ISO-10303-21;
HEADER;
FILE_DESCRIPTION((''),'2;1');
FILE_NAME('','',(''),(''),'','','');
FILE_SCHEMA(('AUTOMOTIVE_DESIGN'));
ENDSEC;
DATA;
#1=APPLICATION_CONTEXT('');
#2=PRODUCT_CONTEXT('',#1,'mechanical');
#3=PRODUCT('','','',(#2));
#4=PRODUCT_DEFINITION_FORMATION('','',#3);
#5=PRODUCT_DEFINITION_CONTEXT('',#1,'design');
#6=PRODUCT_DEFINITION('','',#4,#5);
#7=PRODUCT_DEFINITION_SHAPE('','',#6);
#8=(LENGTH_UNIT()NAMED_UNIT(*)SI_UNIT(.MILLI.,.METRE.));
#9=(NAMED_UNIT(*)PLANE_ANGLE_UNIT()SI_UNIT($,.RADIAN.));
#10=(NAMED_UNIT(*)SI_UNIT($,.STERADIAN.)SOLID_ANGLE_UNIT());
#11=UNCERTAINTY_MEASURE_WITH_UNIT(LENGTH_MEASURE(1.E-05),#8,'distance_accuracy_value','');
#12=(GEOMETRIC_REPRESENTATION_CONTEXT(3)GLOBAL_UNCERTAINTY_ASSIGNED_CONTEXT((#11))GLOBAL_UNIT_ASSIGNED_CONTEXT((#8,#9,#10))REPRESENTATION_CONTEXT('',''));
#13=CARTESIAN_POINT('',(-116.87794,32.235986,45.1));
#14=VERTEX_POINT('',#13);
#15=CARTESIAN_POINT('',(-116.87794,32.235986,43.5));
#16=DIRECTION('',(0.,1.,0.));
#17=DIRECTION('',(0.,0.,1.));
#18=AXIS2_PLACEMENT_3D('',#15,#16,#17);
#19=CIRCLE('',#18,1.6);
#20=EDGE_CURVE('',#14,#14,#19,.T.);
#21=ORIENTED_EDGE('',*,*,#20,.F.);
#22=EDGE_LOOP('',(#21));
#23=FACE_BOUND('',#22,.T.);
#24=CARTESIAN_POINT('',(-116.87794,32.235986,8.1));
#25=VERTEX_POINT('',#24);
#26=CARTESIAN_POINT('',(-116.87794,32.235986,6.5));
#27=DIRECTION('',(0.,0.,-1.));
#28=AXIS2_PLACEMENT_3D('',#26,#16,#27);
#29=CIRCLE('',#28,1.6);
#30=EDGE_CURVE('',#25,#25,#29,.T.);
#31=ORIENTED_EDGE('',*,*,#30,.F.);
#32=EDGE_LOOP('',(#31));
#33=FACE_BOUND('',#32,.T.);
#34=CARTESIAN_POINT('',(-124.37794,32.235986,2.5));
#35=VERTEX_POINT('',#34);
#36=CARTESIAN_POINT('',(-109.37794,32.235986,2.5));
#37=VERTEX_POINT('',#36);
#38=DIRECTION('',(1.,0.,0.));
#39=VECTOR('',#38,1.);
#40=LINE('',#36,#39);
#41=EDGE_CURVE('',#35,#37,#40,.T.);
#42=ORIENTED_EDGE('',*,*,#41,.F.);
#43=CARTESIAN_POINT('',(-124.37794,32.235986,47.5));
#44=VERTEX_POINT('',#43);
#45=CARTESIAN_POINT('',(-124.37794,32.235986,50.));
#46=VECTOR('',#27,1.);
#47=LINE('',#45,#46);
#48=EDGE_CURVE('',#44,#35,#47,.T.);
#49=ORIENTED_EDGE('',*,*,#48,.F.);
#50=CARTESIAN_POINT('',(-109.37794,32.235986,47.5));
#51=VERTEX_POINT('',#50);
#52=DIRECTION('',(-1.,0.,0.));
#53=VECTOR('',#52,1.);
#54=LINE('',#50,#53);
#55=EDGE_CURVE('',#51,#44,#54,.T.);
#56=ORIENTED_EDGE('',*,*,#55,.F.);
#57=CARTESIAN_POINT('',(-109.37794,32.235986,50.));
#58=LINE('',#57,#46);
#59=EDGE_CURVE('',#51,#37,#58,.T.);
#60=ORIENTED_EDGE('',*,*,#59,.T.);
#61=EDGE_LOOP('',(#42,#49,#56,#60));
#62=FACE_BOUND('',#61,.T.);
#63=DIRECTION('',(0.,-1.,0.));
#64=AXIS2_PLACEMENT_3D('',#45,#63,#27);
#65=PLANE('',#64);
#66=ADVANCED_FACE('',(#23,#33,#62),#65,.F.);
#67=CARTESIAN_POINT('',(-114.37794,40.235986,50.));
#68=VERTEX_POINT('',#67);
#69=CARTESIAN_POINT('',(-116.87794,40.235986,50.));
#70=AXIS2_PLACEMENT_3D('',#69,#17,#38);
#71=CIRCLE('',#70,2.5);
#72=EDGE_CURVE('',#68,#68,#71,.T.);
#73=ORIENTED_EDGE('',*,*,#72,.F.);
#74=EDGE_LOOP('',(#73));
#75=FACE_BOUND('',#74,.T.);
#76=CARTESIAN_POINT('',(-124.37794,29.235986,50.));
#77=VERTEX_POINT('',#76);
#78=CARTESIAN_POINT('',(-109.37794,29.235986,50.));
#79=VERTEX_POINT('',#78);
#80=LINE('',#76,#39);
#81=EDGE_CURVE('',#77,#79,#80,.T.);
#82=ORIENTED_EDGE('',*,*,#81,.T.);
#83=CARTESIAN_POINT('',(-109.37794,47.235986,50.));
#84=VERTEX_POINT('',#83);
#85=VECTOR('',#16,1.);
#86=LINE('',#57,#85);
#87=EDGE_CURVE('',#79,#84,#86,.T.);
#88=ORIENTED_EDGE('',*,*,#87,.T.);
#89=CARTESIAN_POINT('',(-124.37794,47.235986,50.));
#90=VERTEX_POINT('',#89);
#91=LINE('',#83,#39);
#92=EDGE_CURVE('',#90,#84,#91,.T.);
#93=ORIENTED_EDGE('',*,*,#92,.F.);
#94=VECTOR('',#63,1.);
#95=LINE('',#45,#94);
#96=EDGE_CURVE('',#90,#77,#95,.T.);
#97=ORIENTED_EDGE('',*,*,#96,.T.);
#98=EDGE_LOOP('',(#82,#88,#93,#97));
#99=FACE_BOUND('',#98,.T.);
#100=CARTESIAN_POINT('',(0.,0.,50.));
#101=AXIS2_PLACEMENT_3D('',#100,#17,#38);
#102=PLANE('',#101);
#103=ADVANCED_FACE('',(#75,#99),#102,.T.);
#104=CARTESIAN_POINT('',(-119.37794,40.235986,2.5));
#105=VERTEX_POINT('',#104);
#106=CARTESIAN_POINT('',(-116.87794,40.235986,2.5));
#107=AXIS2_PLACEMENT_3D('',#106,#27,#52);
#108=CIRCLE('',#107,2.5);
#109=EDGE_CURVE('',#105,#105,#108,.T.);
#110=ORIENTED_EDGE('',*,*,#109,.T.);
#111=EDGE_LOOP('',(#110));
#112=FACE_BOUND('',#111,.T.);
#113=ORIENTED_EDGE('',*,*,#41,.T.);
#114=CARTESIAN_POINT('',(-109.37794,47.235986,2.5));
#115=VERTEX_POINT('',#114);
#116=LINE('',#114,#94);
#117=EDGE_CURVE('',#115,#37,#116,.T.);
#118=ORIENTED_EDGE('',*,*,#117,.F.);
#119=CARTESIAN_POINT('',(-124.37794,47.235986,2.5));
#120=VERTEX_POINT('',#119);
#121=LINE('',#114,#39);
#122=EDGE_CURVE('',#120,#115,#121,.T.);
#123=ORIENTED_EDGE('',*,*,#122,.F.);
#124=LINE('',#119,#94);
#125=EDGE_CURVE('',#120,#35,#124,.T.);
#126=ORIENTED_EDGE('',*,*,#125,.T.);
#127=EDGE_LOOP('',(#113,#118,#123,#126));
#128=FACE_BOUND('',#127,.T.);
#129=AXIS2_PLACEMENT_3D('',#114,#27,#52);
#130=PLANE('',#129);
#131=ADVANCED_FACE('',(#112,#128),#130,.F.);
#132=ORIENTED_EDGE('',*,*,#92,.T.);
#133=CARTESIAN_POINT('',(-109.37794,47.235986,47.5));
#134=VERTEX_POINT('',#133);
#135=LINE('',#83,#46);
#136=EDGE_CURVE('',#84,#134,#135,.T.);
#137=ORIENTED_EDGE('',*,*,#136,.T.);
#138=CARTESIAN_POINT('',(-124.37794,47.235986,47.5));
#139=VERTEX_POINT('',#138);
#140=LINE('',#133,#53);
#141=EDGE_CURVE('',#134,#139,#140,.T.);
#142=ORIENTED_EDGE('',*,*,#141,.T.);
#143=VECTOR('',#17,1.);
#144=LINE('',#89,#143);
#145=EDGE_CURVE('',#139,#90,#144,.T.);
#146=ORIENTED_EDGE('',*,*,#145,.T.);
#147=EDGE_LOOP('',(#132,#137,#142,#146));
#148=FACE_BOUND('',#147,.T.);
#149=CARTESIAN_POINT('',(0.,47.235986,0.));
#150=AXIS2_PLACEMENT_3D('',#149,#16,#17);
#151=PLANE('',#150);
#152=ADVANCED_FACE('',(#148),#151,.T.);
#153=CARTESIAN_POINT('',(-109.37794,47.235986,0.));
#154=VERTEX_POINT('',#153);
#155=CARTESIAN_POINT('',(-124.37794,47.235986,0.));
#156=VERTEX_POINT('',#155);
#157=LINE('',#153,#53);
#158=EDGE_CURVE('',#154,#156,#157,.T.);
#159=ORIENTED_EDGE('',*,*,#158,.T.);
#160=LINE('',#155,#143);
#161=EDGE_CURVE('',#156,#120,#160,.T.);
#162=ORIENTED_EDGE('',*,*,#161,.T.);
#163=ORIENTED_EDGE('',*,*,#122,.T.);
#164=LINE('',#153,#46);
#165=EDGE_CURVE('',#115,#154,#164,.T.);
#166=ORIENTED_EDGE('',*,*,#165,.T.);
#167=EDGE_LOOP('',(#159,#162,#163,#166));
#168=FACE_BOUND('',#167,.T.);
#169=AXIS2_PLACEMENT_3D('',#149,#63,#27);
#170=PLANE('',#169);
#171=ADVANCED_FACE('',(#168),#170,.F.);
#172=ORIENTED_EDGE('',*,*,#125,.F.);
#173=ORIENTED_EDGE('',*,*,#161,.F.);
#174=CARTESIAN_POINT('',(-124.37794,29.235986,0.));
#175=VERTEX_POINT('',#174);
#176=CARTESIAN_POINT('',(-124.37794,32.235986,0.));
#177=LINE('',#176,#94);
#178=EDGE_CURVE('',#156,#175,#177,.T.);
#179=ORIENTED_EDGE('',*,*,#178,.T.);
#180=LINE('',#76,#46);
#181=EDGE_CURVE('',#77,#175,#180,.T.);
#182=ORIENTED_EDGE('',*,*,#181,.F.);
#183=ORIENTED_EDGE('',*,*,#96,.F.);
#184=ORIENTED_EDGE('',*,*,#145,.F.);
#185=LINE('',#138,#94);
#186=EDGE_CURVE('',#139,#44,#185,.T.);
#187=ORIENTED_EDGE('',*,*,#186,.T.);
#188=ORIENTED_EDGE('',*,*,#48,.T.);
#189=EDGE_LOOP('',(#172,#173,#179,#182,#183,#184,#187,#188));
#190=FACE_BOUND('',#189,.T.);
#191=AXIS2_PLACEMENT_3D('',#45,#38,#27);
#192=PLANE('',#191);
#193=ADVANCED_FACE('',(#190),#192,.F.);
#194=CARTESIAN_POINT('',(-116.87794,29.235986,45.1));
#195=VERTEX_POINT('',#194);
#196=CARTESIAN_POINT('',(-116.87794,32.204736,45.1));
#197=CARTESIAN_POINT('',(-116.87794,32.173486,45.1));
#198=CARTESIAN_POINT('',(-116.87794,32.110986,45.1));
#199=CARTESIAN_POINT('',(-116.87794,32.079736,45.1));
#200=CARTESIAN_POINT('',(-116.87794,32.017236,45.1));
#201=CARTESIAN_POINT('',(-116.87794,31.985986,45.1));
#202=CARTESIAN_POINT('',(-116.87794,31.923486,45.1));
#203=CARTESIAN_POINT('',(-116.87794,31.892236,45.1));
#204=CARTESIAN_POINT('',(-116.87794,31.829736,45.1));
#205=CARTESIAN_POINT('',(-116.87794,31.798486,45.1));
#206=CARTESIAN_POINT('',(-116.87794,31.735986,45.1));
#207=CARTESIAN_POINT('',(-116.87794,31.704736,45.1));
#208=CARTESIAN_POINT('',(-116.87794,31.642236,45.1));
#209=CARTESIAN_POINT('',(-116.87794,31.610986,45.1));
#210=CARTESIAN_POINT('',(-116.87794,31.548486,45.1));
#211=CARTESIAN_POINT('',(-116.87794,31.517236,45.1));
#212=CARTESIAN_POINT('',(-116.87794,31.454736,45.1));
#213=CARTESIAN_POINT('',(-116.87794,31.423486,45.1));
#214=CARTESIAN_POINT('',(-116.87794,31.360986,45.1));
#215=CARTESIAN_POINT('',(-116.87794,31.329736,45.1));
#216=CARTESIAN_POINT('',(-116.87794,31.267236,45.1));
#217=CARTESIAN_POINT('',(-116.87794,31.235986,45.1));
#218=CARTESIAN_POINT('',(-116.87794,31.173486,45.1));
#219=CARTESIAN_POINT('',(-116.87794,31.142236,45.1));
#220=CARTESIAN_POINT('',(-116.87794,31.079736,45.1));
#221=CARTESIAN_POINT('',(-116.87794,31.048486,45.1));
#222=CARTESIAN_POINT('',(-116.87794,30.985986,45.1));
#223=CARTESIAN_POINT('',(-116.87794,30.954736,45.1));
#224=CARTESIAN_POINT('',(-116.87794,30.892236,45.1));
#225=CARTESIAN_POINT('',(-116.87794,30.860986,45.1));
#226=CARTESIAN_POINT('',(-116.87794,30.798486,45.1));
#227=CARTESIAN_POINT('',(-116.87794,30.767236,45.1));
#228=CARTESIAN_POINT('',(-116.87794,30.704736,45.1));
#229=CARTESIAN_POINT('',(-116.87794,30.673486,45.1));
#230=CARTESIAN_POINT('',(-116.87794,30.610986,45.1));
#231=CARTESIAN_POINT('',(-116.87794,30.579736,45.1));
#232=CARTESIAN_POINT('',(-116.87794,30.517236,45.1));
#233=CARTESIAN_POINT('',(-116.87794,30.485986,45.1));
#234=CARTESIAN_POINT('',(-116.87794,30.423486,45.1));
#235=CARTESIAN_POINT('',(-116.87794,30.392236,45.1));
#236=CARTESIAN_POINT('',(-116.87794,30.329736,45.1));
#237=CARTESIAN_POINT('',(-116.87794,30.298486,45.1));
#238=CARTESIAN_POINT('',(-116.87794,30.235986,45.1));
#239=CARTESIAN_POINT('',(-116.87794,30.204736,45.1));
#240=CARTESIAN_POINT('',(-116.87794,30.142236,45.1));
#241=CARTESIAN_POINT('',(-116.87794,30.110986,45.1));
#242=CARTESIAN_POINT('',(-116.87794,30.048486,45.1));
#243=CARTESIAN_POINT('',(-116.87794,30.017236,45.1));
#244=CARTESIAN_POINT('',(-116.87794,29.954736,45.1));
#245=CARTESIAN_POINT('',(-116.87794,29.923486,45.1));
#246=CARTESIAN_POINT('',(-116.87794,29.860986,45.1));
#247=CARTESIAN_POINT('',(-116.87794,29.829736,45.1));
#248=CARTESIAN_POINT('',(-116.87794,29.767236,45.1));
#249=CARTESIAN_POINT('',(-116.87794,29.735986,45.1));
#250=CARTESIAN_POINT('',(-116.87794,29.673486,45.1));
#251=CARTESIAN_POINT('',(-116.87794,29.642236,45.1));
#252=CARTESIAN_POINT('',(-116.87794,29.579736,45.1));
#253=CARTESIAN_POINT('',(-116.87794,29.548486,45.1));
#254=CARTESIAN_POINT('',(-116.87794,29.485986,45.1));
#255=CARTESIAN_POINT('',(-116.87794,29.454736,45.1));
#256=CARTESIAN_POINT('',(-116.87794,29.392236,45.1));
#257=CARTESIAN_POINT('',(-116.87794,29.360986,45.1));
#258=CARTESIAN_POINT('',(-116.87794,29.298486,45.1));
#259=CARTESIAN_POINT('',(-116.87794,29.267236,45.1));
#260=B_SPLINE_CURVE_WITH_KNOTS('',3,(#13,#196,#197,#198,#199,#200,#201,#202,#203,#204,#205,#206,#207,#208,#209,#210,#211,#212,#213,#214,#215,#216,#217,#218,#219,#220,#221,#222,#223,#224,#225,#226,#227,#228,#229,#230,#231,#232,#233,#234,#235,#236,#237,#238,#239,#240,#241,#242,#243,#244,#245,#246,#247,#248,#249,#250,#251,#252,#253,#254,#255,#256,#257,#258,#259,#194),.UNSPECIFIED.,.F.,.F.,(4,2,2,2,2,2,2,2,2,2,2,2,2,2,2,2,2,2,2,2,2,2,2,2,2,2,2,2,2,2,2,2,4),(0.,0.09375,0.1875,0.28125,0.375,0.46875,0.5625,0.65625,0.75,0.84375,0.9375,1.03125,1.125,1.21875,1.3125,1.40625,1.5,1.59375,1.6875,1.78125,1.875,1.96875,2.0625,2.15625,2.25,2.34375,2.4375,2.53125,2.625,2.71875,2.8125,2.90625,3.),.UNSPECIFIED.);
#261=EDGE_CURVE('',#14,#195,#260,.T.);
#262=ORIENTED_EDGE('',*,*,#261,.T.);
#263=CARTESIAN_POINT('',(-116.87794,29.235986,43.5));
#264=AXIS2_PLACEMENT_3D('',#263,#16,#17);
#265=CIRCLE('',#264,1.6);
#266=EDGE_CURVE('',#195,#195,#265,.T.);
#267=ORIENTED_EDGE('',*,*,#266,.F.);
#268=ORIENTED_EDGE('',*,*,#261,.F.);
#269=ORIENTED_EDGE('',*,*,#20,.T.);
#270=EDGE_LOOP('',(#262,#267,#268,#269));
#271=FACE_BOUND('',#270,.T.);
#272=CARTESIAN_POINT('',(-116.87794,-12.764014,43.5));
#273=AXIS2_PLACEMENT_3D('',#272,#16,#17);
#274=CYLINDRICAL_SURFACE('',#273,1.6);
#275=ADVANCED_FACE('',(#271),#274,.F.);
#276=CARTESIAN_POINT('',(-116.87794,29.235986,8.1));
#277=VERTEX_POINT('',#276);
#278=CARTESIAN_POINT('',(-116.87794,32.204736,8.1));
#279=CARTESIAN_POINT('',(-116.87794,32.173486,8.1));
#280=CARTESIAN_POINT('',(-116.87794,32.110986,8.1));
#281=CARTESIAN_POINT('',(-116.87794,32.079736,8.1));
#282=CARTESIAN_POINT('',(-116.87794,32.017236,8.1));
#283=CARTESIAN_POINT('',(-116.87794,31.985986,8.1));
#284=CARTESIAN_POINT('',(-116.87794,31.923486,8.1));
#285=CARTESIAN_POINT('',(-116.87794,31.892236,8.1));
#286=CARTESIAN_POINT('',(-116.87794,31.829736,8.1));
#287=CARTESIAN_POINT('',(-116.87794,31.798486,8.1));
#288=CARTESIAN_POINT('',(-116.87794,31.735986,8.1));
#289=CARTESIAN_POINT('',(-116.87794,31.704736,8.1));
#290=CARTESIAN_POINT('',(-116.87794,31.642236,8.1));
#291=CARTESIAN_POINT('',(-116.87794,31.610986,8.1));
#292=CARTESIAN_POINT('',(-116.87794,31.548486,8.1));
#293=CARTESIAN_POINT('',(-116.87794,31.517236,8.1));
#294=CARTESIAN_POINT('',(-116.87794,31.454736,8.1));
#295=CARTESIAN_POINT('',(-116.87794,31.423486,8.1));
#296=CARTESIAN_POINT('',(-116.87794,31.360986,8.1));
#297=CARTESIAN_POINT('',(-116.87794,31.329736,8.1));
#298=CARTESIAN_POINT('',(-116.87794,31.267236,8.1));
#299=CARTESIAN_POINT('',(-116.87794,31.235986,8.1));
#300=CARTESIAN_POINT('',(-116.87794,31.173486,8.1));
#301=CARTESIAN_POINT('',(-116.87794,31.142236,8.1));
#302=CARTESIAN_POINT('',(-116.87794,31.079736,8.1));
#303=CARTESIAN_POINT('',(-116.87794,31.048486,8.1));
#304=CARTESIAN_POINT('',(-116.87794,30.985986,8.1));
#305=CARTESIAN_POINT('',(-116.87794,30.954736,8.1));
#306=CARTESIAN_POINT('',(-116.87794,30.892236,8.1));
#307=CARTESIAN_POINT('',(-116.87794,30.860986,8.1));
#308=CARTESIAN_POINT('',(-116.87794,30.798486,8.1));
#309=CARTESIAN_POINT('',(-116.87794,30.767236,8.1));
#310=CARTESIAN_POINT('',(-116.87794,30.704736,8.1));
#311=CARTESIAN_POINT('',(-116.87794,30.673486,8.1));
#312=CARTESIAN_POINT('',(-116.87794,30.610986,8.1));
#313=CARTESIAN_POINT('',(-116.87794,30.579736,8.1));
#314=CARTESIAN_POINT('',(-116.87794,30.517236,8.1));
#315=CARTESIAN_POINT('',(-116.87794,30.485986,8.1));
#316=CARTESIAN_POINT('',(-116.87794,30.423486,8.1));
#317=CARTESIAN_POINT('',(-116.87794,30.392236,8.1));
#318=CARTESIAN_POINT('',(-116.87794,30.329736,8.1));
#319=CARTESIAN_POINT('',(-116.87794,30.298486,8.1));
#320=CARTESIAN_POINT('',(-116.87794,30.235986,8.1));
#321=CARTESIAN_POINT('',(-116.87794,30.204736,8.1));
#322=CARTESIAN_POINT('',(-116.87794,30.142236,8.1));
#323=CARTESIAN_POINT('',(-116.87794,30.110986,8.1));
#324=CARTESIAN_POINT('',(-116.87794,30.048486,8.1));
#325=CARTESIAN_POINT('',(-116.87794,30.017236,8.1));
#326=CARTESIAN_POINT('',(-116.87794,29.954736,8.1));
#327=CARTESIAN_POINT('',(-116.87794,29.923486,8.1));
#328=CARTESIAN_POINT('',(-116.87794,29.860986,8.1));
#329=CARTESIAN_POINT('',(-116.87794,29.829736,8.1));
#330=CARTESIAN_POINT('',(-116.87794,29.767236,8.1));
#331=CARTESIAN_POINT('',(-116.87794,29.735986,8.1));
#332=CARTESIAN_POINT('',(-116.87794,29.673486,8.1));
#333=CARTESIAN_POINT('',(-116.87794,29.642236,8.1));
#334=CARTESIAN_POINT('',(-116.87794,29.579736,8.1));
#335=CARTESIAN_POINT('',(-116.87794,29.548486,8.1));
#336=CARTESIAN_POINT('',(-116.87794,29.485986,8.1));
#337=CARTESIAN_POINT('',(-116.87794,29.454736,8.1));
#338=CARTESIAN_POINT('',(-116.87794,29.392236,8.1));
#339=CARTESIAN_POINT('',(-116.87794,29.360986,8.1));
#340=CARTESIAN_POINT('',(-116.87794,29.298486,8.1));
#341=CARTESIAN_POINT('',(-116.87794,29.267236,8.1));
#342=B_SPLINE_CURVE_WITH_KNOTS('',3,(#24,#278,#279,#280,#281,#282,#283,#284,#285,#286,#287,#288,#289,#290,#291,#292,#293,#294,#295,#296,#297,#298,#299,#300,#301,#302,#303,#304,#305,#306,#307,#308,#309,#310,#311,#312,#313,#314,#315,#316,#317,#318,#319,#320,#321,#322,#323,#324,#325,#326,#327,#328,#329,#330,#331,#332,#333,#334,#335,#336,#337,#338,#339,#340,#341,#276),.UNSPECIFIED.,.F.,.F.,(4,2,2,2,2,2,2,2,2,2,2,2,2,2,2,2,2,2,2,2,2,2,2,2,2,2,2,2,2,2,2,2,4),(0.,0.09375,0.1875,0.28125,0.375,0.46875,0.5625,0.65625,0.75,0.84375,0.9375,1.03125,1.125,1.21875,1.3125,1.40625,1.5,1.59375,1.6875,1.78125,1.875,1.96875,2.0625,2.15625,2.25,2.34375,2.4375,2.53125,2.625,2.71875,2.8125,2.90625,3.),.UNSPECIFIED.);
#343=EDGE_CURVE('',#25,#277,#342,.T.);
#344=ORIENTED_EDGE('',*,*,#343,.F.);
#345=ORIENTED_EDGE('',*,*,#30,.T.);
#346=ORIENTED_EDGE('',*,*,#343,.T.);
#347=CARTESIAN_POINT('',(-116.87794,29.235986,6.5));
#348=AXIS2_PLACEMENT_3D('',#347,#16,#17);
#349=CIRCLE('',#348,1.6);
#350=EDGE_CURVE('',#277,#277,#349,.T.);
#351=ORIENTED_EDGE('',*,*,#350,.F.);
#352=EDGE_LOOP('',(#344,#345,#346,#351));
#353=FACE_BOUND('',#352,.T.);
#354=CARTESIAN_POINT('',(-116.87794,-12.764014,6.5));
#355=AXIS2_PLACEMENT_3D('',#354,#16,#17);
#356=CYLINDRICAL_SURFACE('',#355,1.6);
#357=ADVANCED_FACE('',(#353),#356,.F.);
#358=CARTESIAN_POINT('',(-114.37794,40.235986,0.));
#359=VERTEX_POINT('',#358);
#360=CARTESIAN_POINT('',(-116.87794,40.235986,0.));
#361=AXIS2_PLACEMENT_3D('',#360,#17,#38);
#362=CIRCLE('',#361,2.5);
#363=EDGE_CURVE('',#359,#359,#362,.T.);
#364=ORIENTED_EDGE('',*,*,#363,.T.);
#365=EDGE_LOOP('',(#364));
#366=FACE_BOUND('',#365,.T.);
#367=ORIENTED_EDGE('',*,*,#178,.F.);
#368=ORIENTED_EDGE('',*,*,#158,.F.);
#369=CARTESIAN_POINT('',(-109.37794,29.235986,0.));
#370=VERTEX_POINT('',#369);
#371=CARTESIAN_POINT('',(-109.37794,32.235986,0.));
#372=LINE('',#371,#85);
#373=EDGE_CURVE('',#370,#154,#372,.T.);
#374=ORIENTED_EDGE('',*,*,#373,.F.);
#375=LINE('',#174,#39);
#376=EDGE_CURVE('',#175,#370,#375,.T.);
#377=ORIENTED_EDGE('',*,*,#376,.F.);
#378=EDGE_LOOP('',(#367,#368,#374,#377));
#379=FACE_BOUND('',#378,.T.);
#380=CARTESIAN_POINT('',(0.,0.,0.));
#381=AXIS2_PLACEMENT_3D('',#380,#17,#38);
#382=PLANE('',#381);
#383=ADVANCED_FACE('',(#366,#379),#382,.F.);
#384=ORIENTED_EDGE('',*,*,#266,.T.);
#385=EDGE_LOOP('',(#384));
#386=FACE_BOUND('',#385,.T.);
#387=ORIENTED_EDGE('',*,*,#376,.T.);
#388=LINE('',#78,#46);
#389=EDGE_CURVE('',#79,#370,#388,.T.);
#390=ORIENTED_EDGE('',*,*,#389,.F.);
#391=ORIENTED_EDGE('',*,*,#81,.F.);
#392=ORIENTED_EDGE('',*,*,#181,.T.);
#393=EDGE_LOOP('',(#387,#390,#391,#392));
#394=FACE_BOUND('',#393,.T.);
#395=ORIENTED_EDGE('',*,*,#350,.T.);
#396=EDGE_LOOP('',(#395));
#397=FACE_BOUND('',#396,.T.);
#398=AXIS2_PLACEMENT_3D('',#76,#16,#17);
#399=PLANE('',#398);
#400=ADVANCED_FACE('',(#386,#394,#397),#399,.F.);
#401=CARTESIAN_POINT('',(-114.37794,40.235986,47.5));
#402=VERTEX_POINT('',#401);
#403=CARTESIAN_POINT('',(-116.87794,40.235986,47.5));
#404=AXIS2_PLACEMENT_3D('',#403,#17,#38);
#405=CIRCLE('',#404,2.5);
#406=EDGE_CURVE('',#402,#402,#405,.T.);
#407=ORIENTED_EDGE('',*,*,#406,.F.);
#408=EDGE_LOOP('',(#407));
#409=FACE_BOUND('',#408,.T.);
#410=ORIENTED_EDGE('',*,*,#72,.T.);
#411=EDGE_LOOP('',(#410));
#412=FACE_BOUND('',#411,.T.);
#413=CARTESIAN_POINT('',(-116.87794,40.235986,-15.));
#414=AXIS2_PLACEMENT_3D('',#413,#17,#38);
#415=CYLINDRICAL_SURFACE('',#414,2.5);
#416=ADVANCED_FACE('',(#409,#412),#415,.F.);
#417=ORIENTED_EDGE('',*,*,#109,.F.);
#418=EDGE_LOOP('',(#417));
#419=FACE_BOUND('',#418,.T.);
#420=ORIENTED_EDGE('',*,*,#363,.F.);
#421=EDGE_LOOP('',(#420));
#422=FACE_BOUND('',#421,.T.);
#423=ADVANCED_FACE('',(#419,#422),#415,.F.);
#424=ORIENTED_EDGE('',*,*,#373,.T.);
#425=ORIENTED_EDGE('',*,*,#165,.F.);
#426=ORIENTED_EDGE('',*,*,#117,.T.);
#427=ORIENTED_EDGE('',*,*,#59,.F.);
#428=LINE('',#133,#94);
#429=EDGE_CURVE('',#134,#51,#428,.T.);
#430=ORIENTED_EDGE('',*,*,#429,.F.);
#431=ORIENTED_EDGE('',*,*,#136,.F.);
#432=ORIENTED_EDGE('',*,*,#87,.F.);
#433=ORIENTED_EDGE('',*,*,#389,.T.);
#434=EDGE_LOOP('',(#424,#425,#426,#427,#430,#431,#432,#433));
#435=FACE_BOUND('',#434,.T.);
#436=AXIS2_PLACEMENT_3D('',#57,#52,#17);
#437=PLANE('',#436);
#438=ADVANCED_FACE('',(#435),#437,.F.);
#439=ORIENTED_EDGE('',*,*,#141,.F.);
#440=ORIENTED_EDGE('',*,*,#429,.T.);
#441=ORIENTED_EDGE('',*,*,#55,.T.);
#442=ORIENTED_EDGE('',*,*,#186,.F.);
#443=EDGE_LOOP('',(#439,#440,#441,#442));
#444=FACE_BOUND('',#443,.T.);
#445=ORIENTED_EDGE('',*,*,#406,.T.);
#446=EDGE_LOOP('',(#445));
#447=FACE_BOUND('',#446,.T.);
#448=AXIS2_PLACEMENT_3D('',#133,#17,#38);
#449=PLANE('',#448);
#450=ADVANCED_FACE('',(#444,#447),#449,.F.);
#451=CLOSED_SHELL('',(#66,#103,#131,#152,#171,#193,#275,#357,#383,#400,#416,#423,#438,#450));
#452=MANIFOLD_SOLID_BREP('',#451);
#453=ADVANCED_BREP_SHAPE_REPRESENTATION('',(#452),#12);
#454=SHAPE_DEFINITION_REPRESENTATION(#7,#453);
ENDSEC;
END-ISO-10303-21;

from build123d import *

# Parameters (mm, degrees)
ESQUISSE1_W             = 15
ESQUISSE1_H             = 3
BOSS_EXTRU_1_DEPTH      = 50
ESQUISSE2_R             = 1.6
ENL_V_MAT_EXTRU_1_DEPTH = 45
ESQUISSE3_W             = 15
ESQUISSE3_H             = 2.5
BOSS_EXTRU_2_DEPTH      = 15
ESQUISSE4_R             = 2.5
ENL_V_MAT_EXTRU_3_DEPTH = 65


with BuildPart() as part:
    # Esquisse1 → Boss.-Extru.1 (new body)
    with BuildSketch(Plane.XY):
        with Locations((-116.877940306, 30.735985997)):
            Rectangle(ESQUISSE1_W, ESQUISSE1_H)
    extrude(amount=BOSS_EXTRU_1_DEPTH)

    # Esquisse2 → Enlèv. mat.-Extru.1 (cut)
    with BuildSketch(Plane(origin=(0, 32.235985997, 0), x_dir=(1, 0, 0), z_dir=(0, 1, 0))):
        with Locations(Location((-116.877940306, -43.5, 0), (0, 0, 270))):
            Circle(ESQUISSE2_R)
        with Locations(Location((-116.877940306, -6.5, 0), (0, 0, 270))):
            Circle(ESQUISSE2_R)
    extrude(amount=-ENL_V_MAT_EXTRU_1_DEPTH, mode=Mode.SUBTRACT)

    # Esquisse3 → Boss.-Extru.2 (add)
    with BuildSketch(Plane(origin=(0, 32.235985997, 0), x_dir=(1, 0, 0), z_dir=(0, 1, 0))):
        with Locations((-116.877940306, -48.75)):
            Rectangle(ESQUISSE3_W, ESQUISSE3_H)
        with Locations((-116.877940306, -1.25)):
            Rectangle(ESQUISSE3_W, ESQUISSE3_H)
    extrude(amount=BOSS_EXTRU_2_DEPTH)

    # Esquisse4 → Enlèv. mat.-Extru.3 (cut)
    with BuildSketch(Plane.XY.offset(50)):
        with Locations((-116.877940306, 40.235985997)):
            Circle(ESQUISSE4_R)
    extrude(amount=-ENL_V_MAT_EXTRU_3_DEPTH, mode=Mode.SUBTRACT)


solid = part.part
